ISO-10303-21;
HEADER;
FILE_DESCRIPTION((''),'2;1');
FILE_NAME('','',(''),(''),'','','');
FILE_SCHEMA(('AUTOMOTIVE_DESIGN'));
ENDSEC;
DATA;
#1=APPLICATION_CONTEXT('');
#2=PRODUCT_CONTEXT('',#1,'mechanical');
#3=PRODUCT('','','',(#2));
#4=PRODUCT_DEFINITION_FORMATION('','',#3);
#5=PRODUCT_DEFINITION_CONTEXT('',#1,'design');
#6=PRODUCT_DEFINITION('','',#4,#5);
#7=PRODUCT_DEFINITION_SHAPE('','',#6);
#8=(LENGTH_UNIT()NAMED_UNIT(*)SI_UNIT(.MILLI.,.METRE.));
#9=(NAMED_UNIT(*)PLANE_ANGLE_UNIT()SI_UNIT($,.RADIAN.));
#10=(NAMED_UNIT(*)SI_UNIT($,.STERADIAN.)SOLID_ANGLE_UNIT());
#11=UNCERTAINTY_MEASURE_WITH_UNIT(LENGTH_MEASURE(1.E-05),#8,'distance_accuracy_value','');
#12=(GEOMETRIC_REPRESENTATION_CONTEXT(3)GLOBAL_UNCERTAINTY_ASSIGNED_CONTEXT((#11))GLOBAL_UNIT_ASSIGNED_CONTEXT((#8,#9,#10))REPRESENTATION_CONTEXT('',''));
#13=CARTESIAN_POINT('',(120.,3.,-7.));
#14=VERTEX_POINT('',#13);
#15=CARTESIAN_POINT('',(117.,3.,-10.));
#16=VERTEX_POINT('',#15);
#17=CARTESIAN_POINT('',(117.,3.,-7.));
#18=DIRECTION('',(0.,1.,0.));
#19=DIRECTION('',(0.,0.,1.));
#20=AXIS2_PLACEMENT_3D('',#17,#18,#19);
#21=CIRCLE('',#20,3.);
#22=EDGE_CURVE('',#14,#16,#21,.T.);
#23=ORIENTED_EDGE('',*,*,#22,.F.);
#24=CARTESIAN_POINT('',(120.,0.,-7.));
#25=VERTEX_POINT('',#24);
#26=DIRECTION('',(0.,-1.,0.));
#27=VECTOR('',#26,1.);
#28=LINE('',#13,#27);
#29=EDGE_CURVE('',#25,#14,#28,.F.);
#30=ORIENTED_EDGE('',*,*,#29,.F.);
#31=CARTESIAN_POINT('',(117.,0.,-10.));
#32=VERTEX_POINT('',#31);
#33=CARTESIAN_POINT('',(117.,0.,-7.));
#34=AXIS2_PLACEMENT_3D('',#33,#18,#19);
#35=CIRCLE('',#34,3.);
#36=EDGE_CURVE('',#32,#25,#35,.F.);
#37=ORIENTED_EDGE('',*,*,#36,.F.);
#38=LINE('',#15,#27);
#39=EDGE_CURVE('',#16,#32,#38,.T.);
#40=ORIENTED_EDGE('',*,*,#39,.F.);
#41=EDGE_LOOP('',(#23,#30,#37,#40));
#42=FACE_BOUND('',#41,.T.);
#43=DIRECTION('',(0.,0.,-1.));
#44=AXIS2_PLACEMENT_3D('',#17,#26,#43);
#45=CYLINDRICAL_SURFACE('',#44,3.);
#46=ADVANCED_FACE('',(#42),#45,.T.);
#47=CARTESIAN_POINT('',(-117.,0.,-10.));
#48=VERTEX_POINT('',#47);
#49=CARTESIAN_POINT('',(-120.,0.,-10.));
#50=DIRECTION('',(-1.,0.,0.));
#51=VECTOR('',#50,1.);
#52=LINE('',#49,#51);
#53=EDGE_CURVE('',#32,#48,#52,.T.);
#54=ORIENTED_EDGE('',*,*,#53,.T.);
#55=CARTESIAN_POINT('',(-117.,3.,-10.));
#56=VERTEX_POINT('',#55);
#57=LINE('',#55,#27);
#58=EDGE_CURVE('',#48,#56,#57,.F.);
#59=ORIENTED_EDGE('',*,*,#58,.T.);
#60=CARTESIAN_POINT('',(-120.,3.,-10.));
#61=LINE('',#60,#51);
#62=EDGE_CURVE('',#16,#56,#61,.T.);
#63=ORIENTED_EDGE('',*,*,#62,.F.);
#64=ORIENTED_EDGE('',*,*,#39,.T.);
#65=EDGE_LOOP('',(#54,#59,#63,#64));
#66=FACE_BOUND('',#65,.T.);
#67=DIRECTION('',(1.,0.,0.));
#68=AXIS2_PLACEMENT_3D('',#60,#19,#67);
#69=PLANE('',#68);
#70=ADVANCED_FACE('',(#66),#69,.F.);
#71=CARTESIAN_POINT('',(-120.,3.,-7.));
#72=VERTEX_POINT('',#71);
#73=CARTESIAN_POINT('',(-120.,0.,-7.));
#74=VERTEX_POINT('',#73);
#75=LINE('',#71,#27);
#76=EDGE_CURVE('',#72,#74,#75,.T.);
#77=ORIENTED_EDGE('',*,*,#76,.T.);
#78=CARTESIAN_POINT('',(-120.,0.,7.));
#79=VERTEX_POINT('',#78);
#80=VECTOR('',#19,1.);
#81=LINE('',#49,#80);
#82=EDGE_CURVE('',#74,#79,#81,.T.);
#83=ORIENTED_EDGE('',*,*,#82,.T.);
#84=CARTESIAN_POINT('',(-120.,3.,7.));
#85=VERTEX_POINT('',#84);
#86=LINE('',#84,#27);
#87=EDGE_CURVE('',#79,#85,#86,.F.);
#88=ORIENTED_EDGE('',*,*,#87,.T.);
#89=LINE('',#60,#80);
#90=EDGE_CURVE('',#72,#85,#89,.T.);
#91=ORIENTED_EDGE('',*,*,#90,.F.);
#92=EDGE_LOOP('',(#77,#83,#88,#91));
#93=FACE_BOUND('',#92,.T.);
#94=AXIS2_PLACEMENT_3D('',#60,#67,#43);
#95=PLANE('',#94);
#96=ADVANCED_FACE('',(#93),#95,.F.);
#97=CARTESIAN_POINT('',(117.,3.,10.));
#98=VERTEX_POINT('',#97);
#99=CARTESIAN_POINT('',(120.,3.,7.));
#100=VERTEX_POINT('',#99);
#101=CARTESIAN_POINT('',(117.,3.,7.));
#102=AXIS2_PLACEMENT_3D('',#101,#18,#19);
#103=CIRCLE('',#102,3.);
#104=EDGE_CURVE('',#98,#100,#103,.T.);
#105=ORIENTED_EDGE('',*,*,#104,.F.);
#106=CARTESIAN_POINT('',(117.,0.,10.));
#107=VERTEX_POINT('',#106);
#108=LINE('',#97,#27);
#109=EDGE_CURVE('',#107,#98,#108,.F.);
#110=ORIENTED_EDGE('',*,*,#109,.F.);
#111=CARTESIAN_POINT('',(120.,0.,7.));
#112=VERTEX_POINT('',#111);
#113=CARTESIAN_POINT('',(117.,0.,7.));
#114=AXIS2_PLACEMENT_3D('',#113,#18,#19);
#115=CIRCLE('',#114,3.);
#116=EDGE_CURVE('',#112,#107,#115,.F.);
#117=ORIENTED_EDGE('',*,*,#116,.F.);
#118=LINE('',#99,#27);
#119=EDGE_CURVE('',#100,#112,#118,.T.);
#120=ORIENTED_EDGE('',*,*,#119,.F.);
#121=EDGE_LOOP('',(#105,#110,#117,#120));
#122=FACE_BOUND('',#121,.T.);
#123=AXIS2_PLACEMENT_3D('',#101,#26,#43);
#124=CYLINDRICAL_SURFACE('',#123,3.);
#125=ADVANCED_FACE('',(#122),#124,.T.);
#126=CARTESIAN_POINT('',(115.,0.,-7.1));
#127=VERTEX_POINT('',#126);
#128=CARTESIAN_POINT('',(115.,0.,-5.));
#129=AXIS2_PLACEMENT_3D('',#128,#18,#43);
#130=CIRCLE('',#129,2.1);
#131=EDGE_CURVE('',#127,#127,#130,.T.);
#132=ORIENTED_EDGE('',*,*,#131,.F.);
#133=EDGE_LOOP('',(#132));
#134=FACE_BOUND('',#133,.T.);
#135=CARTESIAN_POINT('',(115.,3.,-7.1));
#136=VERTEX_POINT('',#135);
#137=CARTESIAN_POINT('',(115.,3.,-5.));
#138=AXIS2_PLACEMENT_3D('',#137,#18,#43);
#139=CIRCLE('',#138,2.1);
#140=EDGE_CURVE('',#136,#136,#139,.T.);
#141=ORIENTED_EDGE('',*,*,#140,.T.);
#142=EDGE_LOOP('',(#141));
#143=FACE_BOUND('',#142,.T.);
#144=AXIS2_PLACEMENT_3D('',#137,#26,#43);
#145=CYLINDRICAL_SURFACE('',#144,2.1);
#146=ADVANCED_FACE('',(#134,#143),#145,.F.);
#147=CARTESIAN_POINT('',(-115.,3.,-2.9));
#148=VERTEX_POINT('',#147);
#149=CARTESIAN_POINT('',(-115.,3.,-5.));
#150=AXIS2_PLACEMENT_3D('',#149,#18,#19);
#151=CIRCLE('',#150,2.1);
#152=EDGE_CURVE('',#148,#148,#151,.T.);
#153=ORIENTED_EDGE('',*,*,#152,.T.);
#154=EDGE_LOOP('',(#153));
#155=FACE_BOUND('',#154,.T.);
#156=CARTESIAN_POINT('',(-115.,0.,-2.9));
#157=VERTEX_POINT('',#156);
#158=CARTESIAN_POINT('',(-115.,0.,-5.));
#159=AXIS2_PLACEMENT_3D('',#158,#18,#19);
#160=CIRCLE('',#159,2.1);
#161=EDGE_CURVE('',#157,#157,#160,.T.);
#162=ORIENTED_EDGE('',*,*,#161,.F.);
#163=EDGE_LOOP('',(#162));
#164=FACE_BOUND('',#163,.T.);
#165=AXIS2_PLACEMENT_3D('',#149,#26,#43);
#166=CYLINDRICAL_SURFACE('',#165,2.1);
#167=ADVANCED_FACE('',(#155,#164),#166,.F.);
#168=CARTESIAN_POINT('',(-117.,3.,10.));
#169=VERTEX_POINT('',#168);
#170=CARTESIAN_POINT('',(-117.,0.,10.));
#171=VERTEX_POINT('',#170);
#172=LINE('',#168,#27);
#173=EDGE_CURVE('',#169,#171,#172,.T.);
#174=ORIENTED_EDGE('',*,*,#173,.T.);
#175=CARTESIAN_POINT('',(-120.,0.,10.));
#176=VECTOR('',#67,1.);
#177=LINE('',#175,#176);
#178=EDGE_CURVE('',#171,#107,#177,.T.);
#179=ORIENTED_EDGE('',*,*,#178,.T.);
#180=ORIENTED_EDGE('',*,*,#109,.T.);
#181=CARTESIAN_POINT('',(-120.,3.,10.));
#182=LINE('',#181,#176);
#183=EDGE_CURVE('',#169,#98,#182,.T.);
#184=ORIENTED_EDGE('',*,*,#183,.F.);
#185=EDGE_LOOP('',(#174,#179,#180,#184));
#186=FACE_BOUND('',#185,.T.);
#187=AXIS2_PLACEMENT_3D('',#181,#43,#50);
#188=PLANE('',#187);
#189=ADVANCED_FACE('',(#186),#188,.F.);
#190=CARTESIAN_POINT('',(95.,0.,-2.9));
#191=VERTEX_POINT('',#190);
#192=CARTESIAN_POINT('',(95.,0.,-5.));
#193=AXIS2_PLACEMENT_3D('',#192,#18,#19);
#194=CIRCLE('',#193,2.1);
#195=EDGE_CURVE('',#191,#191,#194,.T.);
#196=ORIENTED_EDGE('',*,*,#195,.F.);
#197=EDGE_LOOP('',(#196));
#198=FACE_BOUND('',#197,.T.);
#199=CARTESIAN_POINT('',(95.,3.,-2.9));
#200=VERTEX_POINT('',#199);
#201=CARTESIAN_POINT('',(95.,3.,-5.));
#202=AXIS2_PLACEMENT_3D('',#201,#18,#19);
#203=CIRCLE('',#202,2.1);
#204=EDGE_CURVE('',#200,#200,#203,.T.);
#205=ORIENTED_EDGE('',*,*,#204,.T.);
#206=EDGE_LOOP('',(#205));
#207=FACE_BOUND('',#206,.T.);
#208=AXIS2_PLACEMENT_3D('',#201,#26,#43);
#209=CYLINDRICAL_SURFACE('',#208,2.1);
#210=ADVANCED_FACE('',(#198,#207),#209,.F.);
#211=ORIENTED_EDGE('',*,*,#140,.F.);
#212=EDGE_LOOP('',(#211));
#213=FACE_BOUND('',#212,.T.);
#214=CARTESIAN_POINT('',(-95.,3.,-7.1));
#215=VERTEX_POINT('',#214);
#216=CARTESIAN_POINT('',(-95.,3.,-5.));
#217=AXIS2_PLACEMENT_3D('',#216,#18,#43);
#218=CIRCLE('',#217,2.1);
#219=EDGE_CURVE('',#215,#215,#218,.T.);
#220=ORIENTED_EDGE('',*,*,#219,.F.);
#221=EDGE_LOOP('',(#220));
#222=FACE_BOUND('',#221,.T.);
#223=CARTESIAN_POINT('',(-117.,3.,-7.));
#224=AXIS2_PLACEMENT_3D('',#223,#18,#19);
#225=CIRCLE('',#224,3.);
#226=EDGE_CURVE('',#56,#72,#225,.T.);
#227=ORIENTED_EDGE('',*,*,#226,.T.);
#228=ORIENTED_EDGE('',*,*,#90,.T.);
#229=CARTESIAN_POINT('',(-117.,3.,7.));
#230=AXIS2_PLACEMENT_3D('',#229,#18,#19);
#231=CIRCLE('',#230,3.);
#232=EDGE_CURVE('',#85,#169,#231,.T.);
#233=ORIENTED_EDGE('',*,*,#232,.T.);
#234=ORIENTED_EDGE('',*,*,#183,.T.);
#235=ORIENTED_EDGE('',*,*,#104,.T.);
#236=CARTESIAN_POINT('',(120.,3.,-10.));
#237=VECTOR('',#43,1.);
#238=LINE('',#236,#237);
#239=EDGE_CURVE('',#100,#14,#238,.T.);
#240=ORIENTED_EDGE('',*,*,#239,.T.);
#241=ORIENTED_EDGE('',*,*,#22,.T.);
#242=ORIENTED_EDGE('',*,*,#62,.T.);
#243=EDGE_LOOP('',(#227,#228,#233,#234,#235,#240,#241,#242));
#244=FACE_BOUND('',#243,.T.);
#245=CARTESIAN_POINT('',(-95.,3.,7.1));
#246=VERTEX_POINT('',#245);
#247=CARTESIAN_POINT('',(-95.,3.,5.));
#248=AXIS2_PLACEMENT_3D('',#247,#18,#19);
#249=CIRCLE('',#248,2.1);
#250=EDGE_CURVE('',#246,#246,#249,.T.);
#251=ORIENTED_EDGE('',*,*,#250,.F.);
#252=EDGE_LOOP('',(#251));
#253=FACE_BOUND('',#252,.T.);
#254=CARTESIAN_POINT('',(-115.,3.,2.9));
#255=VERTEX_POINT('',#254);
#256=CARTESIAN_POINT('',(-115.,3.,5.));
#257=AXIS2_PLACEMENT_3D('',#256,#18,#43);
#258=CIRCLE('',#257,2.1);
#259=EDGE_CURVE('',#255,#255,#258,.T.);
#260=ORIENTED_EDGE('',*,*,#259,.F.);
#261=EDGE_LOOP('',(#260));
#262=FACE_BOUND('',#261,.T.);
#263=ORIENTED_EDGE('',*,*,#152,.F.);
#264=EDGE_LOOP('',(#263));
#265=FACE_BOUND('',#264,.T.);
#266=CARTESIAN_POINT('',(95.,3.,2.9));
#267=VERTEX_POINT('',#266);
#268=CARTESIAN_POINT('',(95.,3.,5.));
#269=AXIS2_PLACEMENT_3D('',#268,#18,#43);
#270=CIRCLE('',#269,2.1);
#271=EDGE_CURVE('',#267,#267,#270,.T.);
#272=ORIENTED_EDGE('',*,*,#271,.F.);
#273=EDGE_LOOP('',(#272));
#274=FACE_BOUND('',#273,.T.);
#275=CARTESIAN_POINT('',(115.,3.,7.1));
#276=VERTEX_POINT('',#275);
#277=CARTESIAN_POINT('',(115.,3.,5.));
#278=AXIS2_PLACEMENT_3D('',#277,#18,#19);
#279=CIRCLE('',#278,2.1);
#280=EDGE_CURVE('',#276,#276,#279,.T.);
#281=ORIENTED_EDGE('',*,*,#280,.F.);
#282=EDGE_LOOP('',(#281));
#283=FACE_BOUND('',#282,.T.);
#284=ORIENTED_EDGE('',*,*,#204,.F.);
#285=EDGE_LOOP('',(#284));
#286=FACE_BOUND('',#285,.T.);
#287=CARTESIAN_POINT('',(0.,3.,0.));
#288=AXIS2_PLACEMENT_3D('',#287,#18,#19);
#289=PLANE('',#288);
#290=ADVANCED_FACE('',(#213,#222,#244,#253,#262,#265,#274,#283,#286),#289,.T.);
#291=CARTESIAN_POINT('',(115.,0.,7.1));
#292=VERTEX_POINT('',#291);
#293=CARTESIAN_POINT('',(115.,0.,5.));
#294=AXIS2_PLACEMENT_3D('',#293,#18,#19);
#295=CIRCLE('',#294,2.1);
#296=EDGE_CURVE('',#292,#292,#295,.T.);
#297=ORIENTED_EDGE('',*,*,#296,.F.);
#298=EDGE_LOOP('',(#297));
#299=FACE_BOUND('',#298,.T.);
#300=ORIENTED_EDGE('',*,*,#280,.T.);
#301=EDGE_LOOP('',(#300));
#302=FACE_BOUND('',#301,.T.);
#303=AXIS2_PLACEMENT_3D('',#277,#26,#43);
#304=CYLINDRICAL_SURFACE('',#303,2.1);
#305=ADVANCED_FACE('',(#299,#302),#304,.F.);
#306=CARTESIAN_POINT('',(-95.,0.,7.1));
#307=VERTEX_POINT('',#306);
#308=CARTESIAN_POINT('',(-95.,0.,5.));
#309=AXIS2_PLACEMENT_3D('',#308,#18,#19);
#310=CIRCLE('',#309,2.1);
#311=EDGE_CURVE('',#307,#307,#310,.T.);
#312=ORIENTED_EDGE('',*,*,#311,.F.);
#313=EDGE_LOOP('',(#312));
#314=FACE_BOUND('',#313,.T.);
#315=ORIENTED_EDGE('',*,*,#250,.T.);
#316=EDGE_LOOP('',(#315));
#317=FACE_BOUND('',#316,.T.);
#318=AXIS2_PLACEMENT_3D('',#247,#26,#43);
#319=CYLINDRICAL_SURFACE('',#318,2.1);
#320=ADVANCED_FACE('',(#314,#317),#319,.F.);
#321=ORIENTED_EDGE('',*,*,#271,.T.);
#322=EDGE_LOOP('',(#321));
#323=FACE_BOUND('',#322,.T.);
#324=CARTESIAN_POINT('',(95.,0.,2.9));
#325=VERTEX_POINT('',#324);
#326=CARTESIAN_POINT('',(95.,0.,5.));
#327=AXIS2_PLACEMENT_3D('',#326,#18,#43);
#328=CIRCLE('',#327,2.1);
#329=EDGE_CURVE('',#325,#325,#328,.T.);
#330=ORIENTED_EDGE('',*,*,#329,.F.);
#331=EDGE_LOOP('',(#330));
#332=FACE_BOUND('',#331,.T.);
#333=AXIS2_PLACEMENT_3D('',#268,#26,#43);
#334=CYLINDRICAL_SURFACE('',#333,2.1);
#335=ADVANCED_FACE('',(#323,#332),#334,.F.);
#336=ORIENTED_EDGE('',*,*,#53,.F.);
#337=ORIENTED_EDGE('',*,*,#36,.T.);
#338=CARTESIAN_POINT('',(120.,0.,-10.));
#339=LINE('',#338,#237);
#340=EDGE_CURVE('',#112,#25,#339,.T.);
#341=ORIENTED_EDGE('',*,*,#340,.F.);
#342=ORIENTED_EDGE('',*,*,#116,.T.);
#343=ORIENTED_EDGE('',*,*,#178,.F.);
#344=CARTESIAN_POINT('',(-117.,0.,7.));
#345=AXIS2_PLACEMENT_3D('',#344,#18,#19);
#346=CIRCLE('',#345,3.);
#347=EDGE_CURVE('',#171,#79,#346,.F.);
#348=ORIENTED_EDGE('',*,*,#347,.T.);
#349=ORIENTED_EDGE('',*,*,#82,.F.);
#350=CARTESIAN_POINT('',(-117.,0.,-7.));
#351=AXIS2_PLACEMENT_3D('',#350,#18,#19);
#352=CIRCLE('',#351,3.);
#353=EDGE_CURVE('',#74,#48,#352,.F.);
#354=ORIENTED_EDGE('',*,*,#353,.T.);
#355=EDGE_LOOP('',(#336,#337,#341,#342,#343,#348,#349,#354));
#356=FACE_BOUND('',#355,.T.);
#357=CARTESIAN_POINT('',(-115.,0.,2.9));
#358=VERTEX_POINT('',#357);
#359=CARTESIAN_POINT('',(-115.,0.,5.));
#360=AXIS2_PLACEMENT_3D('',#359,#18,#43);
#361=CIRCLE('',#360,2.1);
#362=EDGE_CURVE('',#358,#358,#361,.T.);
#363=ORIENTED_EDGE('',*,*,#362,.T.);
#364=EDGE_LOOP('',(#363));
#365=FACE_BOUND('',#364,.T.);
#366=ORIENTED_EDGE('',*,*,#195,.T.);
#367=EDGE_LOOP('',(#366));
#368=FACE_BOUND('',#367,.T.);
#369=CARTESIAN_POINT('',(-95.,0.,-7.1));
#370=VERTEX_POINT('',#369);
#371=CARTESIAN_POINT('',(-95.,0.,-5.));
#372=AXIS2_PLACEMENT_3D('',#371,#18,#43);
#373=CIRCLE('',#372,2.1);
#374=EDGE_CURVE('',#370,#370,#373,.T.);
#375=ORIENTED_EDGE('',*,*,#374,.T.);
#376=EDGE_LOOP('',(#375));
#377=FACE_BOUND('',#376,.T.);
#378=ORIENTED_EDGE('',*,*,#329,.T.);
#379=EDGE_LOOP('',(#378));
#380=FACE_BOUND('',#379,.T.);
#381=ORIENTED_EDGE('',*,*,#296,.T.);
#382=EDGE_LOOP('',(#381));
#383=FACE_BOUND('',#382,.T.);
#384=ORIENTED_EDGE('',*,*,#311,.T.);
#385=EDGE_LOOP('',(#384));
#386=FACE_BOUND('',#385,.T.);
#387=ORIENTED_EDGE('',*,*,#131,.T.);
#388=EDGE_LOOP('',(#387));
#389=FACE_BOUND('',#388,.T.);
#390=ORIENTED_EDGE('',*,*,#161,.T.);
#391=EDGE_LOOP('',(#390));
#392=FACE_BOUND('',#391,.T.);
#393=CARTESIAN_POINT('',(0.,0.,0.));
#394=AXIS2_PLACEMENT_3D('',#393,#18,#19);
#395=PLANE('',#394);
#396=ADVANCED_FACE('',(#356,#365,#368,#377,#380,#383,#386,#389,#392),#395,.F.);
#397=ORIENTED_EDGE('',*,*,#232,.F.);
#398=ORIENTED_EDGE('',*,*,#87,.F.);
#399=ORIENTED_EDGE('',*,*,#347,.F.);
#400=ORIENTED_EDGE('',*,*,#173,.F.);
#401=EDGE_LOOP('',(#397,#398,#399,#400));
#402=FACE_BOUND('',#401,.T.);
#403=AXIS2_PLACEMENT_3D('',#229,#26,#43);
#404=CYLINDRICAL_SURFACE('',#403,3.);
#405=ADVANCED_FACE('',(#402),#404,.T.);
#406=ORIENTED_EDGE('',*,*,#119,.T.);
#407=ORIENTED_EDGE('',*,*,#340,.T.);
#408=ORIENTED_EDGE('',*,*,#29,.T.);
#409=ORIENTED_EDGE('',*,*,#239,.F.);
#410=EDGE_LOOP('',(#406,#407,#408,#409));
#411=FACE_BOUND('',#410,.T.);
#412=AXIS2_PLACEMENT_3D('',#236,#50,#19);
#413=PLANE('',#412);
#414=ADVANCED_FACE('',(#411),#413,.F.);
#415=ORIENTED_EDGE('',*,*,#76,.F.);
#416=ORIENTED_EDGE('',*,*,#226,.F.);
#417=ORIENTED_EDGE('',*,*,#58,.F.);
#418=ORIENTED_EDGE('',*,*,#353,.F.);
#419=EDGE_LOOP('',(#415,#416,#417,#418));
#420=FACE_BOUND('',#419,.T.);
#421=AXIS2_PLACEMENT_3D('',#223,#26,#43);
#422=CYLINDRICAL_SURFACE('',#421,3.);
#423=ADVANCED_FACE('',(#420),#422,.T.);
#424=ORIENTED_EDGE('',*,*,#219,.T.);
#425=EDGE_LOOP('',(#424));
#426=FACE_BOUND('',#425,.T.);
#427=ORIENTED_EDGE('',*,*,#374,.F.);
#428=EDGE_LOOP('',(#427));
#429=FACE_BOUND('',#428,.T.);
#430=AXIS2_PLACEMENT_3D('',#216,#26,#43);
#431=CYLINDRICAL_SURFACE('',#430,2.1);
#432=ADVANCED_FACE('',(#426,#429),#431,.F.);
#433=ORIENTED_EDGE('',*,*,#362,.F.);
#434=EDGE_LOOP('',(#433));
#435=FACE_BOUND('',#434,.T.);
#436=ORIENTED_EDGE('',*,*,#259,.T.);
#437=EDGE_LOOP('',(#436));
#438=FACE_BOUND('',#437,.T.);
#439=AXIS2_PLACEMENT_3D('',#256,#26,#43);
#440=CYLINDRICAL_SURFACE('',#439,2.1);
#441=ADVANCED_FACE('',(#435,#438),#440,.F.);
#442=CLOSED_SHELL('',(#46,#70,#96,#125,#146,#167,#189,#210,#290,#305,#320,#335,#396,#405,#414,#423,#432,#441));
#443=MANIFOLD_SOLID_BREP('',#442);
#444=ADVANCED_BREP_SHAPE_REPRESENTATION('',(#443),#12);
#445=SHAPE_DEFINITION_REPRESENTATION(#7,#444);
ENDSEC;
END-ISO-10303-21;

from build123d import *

# Parameters (mm, degrees)
SKETCH_2_W      = 240
SKETCH_2_H      = 20
SKETCH_2_R      = 2.1
EXTRUDE_1_DEPTH = 3
FILLET_1_R      = 3


with BuildPart() as part:
    # 草图2 → 凸台-拉伸1 (new body)
    with BuildSketch(Plane(origin=(0, 0, 0), x_dir=(1, 0, 0), z_dir=(0, 1, 0))):
        Rectangle(SKETCH_2_W, SKETCH_2_H)
        with Locations((-115, 5)):
            Circle(SKETCH_2_R, mode=Mode.SUBTRACT)
        with Locations((-95, 5)):
            Circle(SKETCH_2_R, mode=Mode.SUBTRACT)
        with Locations((-95, -5)):
            Circle(SKETCH_2_R, mode=Mode.SUBTRACT)
        with Locations((-115, -5)):
            Circle(SKETCH_2_R, mode=Mode.SUBTRACT)
        with Locations((115, -5)):
            Circle(SKETCH_2_R, mode=Mode.SUBTRACT)
        with Locations((95, -5)):
            Circle(SKETCH_2_R, mode=Mode.SUBTRACT)
        with Locations((95, 5)):
            Circle(SKETCH_2_R, mode=Mode.SUBTRACT)
        with Locations((115, 5)):
            Circle(SKETCH_2_R, mode=Mode.SUBTRACT)
    extrude(amount=EXTRUDE_1_DEPTH)

    # 圆角1
    fillet_1_edges = [part.edges().sort_by_distance(p)[0] for p in [
        (120, 1.5, 10),
        (-120, 1.5, 10),
        (-120, 1.5, -10),
        (120, 1.5, -10),
    ]]
    fillet(fillet_1_edges, radius=FILLET_1_R)


solid = part.part
